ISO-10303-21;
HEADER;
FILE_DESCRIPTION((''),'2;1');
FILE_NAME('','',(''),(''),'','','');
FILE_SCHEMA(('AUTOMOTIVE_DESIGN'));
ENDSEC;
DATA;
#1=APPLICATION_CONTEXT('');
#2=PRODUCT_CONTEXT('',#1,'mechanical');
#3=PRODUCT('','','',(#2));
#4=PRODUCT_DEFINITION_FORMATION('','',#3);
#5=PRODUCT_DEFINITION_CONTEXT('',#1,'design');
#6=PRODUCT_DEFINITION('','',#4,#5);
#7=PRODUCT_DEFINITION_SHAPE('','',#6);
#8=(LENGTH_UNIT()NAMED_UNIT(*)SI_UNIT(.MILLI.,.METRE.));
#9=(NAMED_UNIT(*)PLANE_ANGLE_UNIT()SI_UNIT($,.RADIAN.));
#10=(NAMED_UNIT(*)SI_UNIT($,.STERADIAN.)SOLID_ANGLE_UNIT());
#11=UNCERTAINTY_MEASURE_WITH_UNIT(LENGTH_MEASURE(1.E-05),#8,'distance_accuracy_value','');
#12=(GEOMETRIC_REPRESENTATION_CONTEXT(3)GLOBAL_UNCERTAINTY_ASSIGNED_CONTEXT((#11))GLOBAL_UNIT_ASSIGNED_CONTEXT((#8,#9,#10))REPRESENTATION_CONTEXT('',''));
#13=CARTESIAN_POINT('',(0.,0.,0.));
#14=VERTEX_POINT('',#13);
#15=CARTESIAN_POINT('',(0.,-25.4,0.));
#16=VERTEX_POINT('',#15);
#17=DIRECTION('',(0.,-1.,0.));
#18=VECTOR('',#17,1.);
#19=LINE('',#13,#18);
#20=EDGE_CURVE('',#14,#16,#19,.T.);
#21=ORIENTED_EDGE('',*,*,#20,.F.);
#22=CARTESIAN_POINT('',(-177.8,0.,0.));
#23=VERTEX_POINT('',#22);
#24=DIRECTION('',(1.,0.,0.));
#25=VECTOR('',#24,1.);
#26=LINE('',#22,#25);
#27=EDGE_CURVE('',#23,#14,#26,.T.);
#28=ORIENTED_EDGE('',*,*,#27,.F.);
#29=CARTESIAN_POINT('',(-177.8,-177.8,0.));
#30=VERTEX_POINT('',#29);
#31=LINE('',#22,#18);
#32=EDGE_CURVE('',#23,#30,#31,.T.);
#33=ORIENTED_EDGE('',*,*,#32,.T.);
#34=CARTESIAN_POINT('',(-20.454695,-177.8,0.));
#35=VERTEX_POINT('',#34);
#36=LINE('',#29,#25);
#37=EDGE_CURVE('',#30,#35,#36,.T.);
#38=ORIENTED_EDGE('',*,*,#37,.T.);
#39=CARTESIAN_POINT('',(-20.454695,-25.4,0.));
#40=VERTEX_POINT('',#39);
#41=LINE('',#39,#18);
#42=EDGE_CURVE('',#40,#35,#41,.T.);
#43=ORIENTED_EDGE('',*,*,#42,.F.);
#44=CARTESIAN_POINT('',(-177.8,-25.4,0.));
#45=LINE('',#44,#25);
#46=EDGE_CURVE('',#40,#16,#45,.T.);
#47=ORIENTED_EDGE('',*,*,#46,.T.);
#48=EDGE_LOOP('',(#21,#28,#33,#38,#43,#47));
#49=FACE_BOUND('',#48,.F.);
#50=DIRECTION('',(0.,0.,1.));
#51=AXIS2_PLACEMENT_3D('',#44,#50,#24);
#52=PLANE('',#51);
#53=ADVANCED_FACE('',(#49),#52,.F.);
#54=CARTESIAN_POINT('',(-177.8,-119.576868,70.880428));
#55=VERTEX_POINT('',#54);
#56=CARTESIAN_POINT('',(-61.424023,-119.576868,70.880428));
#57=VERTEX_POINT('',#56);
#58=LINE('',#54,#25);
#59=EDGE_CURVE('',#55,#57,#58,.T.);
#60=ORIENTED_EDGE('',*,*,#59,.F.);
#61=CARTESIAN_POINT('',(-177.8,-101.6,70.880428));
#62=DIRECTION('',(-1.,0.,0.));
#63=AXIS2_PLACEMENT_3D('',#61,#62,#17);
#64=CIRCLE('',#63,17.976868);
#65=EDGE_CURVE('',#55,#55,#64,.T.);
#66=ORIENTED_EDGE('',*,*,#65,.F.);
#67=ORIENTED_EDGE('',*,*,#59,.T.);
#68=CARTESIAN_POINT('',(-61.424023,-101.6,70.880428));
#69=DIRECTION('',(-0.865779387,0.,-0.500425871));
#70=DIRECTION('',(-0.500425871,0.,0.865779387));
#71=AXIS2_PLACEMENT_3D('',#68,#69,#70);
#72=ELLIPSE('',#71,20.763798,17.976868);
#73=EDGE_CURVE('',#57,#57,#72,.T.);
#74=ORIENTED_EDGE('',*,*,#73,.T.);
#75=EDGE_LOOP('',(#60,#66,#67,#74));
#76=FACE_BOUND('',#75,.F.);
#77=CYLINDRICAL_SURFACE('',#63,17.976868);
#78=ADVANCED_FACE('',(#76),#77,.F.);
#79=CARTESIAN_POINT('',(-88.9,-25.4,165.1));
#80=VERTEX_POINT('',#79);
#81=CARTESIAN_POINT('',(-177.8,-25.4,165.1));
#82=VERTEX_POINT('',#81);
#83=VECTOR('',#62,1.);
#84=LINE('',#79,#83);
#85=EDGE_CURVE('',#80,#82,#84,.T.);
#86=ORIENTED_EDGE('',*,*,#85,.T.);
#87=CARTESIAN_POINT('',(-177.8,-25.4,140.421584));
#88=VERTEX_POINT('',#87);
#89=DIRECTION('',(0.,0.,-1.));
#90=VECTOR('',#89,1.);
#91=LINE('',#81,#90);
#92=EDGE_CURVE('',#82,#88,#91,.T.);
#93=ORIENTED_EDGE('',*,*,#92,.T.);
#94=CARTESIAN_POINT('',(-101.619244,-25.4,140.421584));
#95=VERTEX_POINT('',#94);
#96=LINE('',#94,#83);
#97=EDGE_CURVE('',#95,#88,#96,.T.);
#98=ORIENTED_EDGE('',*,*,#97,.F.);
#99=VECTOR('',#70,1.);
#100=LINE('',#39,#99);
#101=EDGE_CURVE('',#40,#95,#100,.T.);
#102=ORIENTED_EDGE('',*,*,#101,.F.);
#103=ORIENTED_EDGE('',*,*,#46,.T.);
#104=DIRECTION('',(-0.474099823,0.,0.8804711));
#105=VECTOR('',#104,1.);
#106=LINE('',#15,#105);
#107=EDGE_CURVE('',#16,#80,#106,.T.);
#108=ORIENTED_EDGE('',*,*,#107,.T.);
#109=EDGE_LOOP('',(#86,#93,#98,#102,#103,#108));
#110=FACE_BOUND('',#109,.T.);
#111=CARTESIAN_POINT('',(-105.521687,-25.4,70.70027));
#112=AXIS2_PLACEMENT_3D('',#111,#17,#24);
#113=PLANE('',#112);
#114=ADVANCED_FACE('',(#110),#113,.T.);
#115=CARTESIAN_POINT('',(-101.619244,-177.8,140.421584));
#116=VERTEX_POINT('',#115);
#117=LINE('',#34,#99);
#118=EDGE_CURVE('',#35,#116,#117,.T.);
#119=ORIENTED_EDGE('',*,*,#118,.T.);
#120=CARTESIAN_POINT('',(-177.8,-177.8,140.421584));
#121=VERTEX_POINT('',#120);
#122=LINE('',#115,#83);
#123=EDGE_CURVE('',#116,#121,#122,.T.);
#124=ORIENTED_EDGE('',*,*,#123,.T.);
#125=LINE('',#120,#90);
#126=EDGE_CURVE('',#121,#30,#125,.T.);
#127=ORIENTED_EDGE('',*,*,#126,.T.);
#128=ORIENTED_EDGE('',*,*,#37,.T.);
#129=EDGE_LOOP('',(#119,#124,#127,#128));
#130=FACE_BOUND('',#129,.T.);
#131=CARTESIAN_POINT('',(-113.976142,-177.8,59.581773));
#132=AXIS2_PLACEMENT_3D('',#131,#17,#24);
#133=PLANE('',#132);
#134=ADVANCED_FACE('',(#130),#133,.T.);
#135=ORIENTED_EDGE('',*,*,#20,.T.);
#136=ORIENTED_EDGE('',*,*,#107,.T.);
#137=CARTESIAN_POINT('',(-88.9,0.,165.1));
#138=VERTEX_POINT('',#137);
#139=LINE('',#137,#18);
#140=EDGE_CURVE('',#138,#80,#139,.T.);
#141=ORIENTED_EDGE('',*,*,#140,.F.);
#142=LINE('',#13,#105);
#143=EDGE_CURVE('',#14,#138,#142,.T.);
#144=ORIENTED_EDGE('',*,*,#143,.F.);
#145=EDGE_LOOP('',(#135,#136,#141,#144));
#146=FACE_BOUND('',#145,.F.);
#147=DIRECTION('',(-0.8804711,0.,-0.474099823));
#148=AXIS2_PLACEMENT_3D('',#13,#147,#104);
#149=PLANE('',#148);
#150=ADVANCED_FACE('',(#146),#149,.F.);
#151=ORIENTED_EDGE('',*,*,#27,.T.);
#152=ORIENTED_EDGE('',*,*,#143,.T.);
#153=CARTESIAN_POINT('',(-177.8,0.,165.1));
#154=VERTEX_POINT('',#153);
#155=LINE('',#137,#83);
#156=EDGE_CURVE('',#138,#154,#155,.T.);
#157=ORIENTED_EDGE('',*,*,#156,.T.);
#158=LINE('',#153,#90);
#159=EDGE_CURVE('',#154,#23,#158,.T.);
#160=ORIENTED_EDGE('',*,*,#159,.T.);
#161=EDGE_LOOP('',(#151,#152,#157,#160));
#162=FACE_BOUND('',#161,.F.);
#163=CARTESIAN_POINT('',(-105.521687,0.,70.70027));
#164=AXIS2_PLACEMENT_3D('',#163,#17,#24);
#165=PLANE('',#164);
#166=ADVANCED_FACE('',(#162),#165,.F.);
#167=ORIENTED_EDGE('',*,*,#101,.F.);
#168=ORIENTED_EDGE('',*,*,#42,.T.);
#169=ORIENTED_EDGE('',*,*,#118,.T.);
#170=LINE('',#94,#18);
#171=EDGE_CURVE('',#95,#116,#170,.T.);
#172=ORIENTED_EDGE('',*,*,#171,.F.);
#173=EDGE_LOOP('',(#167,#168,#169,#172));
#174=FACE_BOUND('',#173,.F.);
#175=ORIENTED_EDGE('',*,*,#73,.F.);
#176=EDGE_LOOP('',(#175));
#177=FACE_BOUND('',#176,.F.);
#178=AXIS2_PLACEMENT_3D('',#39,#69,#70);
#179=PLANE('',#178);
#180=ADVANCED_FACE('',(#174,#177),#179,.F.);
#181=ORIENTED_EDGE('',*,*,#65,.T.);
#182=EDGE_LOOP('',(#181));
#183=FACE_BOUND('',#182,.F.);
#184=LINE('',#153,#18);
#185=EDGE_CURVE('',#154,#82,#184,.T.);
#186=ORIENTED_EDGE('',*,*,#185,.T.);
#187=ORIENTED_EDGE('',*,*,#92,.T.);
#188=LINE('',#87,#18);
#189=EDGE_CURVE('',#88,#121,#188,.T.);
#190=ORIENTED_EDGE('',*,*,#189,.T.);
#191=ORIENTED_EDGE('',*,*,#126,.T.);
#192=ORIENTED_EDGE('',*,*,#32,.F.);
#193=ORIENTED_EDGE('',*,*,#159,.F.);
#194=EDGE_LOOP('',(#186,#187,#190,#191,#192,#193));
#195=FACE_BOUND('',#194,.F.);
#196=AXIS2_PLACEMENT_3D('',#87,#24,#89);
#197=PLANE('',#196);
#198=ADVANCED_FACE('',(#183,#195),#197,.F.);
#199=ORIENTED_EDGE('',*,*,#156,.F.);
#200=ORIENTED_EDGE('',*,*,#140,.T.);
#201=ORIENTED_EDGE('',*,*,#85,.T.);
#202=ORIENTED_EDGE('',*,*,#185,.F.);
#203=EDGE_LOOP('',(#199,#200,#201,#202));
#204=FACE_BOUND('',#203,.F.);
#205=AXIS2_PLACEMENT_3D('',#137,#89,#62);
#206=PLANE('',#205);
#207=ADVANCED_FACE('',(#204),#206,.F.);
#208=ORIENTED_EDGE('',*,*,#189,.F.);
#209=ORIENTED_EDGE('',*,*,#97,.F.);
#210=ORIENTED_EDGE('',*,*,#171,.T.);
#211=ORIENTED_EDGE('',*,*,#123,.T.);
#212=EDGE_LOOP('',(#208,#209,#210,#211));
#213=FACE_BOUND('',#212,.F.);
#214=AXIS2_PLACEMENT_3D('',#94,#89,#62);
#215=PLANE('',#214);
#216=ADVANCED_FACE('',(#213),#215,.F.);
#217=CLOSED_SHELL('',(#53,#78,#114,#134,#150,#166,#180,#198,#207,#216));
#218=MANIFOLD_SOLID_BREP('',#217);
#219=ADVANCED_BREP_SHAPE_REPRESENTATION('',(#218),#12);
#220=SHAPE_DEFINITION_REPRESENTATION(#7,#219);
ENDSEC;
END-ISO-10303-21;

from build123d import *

# Parameters (mm, degrees)
F1_DEPTH = 25.4
F3_DEPTH = 152.4
F4_R     = 17.976868
F5_DEPTH = 177.801


with BuildPart() as f1:
    # F0 (on Front) → F1 (new body)
    with BuildSketch(Plane.XZ):
        Polygon((-177.8, 0), (0, 0), (-88.9, 165.1), (-177.8, 165.1), align=None)
    extrude(amount=F1_DEPTH)

    # F2 (on face) → F3 (join)
    with BuildSketch(Plane.XZ.offset(25.4)):
        Polygon((-177.8, 140.421584), (-177.8, 0), (-20.454695, 0), (-101.619244, 140.421584), align=None)
    extrude(amount=F3_DEPTH)

    # F4 (on face) → F5 (cut, through all)
    with BuildSketch(Plane(origin=(-177.8, 0, 0), x_dir=(0, -1, 0), z_dir=(-1, 0, 0))):
        with Locations((101.6, 70.880428)):
            Circle(F4_R)
    extrude(amount=-F5_DEPTH, mode=Mode.SUBTRACT)


solid = f1.part
